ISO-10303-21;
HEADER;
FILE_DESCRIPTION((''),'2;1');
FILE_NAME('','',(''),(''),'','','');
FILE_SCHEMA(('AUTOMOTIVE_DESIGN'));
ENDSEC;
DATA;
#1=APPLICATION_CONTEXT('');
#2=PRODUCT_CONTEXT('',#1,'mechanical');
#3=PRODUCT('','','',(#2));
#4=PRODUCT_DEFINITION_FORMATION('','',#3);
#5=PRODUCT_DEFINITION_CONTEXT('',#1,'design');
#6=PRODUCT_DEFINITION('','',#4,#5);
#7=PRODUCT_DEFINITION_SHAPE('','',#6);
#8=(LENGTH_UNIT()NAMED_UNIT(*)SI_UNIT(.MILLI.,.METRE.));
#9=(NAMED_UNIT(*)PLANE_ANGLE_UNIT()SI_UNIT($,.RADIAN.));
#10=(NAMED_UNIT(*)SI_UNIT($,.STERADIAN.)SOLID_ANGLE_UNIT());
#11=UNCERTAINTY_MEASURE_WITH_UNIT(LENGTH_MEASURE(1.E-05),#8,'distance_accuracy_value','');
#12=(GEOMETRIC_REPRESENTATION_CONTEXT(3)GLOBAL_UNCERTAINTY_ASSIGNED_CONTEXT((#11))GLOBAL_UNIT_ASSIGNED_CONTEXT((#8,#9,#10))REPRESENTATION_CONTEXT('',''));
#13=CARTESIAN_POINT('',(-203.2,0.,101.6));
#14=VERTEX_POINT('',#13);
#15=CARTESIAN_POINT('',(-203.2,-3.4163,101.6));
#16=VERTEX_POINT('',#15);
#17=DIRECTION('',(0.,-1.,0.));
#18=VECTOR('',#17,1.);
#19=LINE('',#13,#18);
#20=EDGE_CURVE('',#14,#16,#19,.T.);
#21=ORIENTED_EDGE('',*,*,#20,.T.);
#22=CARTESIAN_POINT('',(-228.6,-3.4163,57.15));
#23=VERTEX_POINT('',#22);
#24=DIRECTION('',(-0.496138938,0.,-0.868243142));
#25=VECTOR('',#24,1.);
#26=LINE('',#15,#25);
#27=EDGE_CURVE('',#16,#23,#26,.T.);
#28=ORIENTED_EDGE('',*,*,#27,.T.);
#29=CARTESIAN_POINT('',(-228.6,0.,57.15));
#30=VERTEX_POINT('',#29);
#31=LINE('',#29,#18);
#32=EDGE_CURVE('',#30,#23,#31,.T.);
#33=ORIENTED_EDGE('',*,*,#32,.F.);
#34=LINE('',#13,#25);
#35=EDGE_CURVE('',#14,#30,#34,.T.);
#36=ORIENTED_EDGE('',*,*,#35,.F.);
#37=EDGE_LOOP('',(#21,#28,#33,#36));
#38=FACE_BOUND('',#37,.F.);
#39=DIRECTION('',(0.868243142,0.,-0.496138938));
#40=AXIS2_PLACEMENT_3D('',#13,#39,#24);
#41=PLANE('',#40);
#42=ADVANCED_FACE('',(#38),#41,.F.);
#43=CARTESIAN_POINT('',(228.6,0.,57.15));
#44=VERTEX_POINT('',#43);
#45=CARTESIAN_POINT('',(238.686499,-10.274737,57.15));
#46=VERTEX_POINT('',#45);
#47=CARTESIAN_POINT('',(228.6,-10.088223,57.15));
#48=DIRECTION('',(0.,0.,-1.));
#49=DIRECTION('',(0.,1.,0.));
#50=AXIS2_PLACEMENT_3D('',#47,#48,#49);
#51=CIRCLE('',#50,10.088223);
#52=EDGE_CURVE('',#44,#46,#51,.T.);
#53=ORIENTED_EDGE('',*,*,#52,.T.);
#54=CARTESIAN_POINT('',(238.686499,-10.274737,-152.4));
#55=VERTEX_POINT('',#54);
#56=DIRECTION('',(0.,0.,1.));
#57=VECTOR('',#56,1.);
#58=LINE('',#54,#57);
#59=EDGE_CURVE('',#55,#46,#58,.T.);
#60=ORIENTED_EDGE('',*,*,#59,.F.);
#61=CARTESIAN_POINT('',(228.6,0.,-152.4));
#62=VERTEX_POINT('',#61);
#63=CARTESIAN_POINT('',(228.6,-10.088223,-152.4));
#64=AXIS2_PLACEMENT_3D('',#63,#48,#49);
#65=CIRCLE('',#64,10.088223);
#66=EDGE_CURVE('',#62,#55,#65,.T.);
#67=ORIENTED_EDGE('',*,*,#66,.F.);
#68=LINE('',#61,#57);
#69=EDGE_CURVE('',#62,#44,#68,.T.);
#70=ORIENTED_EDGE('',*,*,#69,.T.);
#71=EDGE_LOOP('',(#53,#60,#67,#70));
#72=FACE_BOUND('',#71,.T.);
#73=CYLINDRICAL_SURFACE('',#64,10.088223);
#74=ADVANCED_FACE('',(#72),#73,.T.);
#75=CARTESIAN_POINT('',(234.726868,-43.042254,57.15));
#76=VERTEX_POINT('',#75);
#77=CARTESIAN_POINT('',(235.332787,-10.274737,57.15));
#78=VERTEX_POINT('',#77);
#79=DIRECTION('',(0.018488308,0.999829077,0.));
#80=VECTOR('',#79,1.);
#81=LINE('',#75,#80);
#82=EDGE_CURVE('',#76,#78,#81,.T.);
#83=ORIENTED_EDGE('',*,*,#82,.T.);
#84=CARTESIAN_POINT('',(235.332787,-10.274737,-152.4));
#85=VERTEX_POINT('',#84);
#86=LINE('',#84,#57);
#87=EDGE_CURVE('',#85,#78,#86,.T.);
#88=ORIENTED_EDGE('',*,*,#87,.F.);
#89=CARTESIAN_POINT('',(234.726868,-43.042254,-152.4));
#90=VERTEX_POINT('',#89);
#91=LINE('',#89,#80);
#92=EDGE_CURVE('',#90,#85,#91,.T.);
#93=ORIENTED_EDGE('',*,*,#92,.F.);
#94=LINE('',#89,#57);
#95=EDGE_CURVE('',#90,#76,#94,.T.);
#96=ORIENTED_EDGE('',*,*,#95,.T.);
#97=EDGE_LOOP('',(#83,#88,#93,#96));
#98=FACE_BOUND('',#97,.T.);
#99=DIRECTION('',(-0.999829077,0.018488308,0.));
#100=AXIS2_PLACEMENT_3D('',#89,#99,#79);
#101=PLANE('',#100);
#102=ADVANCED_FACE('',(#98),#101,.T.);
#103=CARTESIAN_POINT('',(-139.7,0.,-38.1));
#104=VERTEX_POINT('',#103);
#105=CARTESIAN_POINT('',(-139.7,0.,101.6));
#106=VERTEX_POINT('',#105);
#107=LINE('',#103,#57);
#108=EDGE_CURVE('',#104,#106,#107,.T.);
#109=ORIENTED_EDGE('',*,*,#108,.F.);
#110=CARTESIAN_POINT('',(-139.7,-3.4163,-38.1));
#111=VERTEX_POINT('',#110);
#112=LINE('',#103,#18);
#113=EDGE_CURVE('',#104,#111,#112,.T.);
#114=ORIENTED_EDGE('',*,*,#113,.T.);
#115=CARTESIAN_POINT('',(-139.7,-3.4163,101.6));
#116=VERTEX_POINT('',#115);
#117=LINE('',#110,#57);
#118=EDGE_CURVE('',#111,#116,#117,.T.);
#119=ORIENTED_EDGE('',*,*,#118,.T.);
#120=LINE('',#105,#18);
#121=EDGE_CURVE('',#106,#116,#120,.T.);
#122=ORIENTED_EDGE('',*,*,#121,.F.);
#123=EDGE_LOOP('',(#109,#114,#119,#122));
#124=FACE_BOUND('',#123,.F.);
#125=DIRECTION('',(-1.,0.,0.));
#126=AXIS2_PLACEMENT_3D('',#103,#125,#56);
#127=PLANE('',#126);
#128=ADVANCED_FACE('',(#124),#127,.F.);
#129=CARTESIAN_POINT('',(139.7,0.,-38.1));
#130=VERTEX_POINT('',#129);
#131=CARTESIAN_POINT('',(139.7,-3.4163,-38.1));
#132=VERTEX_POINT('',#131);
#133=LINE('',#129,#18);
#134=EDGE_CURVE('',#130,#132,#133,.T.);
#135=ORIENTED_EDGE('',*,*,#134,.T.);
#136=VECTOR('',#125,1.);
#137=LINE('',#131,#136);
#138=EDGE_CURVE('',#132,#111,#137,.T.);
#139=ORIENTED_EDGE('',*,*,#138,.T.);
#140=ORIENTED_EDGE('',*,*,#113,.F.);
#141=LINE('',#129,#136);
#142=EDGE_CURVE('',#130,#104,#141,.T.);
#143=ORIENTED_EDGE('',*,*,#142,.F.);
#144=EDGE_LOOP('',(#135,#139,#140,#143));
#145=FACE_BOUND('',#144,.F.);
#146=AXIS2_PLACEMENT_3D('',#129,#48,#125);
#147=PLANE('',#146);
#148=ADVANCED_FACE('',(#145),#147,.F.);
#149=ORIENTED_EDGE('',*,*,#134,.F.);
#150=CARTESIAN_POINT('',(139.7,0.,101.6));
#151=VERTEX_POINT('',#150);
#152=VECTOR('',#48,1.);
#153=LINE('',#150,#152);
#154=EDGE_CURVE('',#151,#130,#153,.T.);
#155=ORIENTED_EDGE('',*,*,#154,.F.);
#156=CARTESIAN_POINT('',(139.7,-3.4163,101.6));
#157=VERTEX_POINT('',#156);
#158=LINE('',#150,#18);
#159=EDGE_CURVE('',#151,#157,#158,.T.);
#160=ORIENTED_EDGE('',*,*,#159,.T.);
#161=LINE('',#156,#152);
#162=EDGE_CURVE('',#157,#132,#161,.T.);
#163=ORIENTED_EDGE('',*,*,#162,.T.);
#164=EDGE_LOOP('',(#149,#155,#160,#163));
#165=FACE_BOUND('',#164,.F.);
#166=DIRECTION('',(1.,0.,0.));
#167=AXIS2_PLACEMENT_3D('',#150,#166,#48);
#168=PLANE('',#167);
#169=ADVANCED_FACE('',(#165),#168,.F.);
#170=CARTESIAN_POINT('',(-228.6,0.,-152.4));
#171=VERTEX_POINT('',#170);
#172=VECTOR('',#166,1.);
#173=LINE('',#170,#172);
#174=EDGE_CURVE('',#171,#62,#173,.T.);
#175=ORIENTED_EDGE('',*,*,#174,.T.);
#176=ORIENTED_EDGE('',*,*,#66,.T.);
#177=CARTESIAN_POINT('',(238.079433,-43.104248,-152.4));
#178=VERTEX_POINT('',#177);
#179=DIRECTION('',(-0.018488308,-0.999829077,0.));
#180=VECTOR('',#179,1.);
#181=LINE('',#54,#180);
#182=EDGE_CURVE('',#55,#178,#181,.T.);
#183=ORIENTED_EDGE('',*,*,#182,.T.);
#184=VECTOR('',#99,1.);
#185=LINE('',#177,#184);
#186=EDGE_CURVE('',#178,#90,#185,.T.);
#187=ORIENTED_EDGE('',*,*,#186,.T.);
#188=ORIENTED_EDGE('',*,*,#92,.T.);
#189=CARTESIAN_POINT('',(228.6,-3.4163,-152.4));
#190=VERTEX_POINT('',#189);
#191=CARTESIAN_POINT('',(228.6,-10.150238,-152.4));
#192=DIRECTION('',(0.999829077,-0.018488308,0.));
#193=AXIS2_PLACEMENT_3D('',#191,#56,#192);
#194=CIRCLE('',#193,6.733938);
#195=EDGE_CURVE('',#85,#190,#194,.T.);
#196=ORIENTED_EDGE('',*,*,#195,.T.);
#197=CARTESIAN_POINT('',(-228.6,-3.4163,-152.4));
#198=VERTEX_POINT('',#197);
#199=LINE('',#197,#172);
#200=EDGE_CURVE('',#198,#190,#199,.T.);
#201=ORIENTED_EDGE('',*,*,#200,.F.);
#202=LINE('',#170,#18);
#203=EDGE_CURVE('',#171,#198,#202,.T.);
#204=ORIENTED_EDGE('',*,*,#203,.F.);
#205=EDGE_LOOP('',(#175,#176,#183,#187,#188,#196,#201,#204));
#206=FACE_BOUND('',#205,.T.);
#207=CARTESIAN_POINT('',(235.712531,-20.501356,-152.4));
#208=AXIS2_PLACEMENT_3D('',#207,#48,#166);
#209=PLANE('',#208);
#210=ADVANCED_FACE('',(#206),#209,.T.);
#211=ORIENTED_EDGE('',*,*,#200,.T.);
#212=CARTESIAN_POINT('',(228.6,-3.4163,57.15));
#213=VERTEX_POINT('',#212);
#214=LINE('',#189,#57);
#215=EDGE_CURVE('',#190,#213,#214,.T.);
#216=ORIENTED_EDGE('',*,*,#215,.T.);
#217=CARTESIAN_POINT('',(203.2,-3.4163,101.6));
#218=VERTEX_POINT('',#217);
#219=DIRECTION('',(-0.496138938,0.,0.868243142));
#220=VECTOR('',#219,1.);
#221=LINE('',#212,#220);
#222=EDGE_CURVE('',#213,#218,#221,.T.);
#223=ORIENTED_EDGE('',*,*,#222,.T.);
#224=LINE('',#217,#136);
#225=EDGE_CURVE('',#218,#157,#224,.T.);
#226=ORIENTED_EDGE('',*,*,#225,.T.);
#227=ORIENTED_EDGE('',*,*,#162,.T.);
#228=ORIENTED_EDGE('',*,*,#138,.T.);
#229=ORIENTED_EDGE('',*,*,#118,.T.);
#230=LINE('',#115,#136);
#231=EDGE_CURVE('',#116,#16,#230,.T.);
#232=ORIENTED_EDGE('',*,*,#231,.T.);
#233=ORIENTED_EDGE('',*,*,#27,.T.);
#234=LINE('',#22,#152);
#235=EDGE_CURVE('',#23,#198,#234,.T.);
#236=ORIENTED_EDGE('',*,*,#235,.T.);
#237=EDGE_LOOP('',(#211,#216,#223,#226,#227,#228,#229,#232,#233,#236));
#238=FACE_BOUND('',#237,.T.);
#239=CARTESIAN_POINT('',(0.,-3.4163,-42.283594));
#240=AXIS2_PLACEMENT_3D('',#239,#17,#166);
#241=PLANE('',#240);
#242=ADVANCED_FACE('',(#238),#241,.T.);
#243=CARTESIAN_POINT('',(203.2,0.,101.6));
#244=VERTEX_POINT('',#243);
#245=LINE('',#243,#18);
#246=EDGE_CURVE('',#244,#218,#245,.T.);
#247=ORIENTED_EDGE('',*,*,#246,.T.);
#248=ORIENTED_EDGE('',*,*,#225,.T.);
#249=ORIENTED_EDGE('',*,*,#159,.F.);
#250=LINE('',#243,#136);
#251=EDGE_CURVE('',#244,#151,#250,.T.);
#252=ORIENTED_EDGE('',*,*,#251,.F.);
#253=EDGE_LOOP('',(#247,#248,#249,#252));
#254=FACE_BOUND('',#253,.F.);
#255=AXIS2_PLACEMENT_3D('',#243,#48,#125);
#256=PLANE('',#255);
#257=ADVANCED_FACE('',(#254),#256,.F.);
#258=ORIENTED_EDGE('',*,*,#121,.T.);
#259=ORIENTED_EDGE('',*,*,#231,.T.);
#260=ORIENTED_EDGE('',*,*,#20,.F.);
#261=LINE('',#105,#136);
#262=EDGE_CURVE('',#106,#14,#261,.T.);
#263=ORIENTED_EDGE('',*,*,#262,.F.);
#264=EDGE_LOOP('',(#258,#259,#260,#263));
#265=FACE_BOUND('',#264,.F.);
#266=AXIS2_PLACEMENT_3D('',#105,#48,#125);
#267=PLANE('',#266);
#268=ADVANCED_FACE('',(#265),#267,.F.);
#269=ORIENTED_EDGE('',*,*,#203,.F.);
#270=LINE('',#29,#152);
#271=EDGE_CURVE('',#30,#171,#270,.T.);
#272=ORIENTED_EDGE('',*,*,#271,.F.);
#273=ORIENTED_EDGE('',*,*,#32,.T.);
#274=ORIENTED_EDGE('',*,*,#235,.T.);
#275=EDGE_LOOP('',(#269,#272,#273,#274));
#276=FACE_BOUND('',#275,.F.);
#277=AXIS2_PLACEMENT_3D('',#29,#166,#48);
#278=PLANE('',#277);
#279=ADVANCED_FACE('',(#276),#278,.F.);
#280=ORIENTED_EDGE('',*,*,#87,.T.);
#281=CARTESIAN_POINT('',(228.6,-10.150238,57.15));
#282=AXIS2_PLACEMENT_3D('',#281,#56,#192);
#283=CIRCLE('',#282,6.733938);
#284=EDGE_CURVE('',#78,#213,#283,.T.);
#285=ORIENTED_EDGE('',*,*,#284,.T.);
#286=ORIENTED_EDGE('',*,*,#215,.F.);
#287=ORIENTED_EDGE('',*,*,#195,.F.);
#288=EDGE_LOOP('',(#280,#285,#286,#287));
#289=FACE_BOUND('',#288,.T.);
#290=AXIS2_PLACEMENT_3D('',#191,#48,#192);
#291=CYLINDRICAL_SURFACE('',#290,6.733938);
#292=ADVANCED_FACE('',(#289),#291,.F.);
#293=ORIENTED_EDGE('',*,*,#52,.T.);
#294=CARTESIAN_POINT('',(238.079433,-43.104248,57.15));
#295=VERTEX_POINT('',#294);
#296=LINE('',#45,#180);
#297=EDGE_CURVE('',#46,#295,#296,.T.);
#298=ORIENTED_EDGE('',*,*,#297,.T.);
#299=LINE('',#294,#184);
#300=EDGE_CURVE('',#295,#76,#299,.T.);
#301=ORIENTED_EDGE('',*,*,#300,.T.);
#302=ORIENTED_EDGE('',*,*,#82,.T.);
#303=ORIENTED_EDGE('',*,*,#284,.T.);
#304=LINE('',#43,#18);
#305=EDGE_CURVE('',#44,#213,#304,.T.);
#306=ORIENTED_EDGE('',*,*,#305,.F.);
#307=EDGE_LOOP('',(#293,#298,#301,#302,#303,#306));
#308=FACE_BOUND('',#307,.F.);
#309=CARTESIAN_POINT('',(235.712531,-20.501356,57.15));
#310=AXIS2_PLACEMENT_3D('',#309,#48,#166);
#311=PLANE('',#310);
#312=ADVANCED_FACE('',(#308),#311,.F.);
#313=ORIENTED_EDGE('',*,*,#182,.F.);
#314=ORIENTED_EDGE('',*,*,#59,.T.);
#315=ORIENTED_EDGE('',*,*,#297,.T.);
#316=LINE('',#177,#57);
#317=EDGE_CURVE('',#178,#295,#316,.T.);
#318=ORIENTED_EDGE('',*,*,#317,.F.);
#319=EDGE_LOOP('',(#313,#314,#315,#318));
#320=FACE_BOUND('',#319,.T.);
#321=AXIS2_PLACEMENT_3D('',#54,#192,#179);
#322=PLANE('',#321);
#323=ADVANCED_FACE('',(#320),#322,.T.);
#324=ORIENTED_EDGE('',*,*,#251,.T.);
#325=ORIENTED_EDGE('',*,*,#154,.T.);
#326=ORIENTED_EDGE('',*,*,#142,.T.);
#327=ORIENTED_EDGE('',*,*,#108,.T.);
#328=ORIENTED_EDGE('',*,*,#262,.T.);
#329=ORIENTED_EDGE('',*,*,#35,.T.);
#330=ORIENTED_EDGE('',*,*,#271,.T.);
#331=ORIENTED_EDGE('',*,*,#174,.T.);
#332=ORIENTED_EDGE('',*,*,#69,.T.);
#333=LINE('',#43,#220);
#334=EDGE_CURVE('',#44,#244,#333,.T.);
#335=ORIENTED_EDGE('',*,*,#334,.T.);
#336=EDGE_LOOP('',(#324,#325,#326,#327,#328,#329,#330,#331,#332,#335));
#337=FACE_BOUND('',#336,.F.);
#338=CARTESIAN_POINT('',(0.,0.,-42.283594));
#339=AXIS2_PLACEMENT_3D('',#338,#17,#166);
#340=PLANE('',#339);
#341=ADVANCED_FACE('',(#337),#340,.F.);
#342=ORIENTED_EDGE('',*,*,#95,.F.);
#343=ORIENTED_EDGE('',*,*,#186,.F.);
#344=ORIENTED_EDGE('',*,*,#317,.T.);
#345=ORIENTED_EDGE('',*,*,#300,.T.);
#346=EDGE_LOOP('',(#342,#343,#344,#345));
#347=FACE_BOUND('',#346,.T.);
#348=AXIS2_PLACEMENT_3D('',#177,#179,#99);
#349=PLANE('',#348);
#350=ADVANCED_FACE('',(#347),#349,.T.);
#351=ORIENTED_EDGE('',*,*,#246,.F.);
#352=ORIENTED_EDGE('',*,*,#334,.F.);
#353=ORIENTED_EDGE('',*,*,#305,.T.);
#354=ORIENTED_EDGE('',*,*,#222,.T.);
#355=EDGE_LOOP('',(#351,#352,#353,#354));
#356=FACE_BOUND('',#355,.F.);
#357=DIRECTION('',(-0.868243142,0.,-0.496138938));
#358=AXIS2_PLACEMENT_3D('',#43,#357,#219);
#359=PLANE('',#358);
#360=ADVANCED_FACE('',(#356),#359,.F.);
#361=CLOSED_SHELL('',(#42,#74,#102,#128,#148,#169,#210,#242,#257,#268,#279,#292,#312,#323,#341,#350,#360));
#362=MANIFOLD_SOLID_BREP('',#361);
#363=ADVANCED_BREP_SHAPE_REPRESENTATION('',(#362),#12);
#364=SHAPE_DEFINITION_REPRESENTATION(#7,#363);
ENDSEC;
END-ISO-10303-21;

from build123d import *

# Parameters (mm, degrees)
F1_DEPTH = 3.4163
F3_DEPTH = 209.55


with BuildPart() as f1:
    # F0 (on Front) → F1 (new body)
    with BuildSketch(Plane.XZ):
        Polygon((-228.6, 57.15), (-228.6, -152.4), (228.6, -152.4), (228.6, 57.15), (203.2, 101.6), (139.7, 101.6), (139.7, -38.1), (-139.7, -38.1), (-139.7, 101.6), (-203.2, 101.6), align=None)
    extrude(amount=F1_DEPTH)

    # F2 (on face) → F3 (join, through all)
    with BuildSketch(Plane(origin=(0, 0, -152.4), x_dir=(1, 0, 0), z_dir=(0, 0, -1))):
        with BuildLine():
            ThreePointArc((235.3327870369, 10.274737142), (233.4054287352, 5.4328472215), (228.6, 3.4163))
            Line((228.6, 3.4163), (228.6, 0))
            ThreePointArc((228.6, 0), (235.799091584, 3.0210224584), (238.6864986592, 10.274737142))
            Line((238.6864986592, 10.274737142), (238.0794327982, 43.1042481664))
            Line((238.0794327982, 43.1042481664), (234.7268675333, 43.0422543122))
            Line((234.7268675333, 43.0422543122), (235.3327870369, 10.274737142))
        make_face()
    extrude(amount=-F3_DEPTH)


solid = f1.part
